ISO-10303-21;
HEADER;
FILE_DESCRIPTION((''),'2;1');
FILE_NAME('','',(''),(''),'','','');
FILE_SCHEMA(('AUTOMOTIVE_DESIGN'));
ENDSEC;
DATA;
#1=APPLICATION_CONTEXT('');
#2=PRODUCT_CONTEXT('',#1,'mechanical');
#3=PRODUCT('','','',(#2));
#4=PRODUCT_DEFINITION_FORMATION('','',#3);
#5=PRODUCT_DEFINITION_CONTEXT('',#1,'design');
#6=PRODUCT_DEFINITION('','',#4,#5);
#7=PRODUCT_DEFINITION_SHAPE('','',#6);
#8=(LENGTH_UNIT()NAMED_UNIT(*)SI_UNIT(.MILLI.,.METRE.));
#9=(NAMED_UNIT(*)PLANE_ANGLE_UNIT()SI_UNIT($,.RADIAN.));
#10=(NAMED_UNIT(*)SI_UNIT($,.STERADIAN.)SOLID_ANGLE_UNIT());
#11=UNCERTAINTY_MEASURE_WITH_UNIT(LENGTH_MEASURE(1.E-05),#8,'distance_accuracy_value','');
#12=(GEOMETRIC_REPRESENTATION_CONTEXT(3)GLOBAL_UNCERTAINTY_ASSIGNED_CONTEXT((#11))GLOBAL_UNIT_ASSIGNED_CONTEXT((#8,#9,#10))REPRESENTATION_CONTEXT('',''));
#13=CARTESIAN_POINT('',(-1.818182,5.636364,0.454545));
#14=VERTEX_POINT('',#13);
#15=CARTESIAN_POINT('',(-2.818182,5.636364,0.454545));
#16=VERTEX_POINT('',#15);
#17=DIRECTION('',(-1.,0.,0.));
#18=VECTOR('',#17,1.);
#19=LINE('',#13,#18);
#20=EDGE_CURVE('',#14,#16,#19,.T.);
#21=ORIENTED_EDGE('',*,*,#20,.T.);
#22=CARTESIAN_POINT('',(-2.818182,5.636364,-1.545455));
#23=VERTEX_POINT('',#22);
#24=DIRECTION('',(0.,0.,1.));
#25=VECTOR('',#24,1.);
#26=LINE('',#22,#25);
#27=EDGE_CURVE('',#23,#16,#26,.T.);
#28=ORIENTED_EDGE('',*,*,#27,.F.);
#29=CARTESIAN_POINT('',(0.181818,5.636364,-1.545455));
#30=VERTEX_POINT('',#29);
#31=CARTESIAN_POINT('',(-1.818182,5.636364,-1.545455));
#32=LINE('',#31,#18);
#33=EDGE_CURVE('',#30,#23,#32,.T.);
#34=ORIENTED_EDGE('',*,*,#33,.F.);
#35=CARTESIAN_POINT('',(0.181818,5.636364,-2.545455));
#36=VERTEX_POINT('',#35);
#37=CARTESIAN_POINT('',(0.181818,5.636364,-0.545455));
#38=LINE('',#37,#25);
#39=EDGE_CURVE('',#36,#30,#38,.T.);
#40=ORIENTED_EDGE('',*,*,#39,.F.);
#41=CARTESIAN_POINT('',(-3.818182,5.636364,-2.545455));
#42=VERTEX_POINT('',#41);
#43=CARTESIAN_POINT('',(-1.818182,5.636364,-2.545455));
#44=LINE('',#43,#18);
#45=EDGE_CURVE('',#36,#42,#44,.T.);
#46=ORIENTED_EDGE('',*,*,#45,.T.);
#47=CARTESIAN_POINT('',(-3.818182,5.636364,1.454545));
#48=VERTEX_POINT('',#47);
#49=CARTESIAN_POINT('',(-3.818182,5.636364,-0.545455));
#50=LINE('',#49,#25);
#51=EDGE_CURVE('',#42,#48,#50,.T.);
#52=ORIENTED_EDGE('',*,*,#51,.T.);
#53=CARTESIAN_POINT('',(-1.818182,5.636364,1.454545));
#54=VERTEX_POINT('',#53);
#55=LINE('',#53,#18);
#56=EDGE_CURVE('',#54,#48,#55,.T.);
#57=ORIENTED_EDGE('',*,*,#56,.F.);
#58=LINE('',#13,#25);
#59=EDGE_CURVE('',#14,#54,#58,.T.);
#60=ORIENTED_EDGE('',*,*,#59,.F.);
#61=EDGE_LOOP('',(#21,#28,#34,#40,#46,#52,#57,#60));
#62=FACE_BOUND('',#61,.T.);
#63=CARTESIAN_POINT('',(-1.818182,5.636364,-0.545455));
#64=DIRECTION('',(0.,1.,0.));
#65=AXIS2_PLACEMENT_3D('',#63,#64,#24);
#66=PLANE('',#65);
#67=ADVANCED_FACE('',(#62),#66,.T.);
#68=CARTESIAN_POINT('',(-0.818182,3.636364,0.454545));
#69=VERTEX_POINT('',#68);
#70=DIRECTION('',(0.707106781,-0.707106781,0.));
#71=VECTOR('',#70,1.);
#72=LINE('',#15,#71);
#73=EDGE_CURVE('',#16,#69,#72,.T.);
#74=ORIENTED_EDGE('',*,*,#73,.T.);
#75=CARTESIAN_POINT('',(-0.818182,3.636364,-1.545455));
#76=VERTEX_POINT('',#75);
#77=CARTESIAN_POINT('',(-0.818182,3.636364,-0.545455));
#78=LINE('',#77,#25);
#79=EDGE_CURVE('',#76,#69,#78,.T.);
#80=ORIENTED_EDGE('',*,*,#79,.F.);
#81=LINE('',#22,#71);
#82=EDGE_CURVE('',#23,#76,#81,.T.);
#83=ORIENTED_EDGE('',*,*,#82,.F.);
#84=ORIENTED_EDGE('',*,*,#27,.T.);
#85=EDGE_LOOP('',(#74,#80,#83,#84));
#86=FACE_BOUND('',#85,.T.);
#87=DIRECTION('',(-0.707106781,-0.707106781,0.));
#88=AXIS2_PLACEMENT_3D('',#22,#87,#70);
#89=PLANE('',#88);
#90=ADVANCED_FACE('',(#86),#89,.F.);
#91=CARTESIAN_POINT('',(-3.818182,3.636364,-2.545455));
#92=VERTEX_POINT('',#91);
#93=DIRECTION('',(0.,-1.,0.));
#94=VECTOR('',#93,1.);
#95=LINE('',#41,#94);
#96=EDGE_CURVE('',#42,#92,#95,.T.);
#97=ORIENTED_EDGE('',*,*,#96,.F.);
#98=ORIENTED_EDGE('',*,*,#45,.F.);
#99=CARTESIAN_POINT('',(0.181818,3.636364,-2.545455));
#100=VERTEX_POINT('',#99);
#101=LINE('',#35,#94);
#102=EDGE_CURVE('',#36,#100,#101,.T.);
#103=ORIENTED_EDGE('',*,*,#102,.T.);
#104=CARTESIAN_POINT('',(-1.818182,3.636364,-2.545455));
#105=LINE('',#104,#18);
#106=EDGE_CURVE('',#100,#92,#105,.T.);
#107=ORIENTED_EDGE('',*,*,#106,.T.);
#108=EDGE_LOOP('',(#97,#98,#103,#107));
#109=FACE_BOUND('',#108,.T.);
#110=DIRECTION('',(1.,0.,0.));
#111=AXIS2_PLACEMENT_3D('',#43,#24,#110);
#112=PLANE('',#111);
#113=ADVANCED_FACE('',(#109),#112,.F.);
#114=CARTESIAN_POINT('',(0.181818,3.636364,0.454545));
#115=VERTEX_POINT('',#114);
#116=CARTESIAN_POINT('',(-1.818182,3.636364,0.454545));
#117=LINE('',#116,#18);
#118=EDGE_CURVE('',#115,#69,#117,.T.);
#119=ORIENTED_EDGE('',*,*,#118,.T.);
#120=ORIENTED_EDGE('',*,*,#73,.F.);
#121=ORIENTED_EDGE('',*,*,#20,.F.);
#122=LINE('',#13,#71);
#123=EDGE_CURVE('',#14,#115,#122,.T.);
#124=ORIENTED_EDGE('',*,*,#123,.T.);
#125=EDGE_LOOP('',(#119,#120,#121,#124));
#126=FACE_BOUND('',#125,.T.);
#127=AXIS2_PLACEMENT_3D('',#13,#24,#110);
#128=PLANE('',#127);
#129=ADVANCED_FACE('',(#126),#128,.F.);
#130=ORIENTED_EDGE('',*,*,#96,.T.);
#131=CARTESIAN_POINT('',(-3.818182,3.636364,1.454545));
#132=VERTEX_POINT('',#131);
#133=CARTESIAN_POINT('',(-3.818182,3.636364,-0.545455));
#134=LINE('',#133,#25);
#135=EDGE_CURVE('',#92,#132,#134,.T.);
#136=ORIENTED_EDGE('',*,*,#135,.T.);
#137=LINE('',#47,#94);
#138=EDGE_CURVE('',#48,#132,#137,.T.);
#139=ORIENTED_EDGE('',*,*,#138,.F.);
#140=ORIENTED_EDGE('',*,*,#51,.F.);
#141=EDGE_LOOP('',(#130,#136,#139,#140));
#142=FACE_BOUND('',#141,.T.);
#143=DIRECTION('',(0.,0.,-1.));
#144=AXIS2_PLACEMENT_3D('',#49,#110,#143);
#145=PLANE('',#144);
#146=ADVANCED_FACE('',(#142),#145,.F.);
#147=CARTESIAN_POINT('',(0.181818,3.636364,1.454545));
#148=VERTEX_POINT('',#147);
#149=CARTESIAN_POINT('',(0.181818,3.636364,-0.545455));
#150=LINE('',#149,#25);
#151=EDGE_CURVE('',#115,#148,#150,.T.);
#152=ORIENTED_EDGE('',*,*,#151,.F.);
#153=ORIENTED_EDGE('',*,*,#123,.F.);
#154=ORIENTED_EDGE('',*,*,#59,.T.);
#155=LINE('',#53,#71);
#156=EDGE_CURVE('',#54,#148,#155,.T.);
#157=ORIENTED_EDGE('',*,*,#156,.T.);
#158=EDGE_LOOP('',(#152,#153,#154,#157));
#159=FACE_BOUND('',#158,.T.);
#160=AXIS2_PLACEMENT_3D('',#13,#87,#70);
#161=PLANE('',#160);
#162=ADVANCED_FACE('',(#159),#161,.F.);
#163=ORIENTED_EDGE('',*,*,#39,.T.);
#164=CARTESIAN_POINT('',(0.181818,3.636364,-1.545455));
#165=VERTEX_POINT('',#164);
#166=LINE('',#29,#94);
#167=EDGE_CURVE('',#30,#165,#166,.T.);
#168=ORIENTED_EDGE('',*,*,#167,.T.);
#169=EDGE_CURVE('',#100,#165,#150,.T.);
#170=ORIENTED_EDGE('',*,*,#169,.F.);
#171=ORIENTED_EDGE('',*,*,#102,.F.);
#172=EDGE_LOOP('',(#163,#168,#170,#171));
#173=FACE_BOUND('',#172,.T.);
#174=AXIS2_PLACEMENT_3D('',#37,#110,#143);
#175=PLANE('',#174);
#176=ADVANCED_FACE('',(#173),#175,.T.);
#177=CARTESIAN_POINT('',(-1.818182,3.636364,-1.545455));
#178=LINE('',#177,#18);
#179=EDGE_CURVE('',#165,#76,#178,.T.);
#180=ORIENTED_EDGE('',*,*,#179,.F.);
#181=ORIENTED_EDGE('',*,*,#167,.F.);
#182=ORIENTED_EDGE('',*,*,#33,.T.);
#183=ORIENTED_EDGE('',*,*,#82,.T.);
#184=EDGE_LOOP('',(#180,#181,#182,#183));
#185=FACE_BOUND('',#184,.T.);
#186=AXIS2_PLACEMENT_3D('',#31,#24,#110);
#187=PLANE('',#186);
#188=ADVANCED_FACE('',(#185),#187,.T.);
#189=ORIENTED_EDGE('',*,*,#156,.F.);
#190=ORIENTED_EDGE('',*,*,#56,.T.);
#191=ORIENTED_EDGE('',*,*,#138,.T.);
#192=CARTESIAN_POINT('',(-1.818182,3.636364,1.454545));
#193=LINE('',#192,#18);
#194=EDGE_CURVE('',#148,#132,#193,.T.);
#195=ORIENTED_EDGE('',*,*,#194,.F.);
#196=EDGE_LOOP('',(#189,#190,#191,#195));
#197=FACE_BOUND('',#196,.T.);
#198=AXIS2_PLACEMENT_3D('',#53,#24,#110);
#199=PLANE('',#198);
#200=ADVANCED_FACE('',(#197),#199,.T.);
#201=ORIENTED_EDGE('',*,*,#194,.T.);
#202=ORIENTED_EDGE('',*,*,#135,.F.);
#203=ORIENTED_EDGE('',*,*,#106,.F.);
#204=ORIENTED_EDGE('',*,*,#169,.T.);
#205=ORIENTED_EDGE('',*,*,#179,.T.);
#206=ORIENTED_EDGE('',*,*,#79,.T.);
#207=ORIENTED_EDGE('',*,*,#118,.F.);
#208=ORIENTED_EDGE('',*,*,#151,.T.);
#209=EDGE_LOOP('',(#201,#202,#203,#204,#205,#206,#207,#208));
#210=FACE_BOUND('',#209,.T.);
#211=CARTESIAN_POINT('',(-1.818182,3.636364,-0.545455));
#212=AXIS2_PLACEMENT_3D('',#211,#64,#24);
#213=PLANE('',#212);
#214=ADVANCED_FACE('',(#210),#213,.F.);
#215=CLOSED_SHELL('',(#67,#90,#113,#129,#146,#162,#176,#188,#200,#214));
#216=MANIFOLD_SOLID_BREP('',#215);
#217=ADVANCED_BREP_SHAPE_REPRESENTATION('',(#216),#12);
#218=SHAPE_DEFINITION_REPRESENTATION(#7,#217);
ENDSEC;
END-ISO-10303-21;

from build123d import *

# Parameters (mm, degrees)
EXTRUDE_1_DEPTH     = 10
CUT_EXTRUDE_START   = -5
CUT_EXTRUDE_1_DEPTH = 10
CUT_EXTRUDE_2_DEPTH = 5
SCALE_1_SCALE       = 0.2


with BuildPart() as part:
    # 草圖1 → 填料-伸長1 (new body)
    with BuildSketch(Plane(origin=(0, 0, 0), x_dir=(1, 0, 0), z_dir=(0, 1, 0))):
        Polygon((10, 5), (10, 10), (-10, 10), (-10, -10), (10, -10), (10, -5), (5, -5), (5, 5), align=None)
    extrude(amount=EXTRUDE_1_DEPTH)

    # 草圖2 → 除料-伸長1 (cut)
    with BuildSketch(Plane.XY.offset(10).offset(CUT_EXTRUDE_START)):
        Polygon((10, 0), (10, 10), (-5, 10), (5, 0), align=None)
    extrude(amount=-CUT_EXTRUDE_1_DEPTH, mode=Mode.SUBTRACT)

    # 草圖3 → 除料-伸長2 (cut)
    with BuildSketch(Plane.XY.offset(10)):
        Polygon((0, 10), (10, 0), (10, 10), align=None)
    extrude(amount=-CUT_EXTRUDE_2_DEPTH, mode=Mode.SUBTRACT)


with BuildPart() as part_1:
    # 縮放比例1: scaled about (-2.272727273, 4.545454545, -0.681818182)
    add(part.part.scale(SCALE_1_SCALE).moved(Location((-1.818181818, 3.636363636, -0.545454546))))


solid = part_1.part
